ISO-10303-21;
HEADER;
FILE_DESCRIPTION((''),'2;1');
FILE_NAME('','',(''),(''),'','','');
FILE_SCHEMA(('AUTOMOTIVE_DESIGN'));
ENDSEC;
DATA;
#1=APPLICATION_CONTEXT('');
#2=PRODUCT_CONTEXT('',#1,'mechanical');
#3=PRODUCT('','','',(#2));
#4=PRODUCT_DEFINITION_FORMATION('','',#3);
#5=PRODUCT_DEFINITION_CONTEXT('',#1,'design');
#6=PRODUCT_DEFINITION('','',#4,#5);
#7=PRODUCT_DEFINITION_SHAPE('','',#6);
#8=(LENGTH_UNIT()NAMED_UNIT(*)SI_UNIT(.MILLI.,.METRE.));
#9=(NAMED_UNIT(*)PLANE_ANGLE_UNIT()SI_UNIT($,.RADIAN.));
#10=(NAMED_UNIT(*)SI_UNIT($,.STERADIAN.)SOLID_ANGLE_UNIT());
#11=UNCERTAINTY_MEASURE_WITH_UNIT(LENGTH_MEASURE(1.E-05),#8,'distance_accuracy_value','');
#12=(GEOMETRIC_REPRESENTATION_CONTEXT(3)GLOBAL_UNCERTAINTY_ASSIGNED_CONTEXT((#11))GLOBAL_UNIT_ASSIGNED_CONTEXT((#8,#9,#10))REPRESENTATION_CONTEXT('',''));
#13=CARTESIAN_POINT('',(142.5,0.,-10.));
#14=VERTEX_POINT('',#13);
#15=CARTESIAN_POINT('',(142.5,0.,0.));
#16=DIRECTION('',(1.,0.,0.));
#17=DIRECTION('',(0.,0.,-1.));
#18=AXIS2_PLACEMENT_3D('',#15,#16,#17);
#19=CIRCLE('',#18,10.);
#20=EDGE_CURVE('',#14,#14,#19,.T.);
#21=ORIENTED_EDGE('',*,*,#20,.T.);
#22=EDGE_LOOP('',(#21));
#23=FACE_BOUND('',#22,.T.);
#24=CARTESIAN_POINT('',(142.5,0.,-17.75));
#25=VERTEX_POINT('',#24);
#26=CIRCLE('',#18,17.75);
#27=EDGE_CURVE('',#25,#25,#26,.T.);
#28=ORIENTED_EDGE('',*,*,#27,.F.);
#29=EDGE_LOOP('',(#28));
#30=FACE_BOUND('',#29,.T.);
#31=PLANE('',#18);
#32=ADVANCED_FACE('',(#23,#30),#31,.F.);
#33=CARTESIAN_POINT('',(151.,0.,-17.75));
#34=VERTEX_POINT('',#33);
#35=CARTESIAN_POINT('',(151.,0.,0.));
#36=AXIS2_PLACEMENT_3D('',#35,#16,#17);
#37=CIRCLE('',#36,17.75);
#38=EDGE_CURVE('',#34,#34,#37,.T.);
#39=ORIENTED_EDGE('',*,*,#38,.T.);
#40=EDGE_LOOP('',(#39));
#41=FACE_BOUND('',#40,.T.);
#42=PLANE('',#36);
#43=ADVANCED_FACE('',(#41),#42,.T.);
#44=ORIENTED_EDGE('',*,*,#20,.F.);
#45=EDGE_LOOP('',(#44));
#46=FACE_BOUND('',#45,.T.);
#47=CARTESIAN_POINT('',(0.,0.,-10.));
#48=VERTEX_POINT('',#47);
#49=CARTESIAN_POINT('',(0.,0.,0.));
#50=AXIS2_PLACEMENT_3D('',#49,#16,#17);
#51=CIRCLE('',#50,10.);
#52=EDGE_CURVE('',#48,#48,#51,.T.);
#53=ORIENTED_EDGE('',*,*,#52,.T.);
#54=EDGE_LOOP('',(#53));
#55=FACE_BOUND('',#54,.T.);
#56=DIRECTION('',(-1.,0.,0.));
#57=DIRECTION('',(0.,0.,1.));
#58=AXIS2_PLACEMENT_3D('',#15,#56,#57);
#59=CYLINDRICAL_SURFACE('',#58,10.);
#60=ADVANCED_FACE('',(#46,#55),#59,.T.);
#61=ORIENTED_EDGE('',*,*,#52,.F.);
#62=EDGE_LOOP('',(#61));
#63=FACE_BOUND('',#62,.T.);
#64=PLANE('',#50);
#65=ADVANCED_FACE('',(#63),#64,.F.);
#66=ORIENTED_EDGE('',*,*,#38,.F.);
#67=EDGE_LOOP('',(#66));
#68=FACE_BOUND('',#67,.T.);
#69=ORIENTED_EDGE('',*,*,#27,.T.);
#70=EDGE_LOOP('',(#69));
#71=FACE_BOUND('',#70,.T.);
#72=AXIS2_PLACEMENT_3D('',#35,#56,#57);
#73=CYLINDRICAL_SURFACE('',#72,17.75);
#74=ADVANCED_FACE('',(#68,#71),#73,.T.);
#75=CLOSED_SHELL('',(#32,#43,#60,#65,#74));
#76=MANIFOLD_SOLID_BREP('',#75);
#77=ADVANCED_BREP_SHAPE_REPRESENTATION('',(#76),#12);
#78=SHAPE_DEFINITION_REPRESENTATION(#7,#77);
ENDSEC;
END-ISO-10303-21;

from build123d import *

# Parameters (mm, degrees)
SKETCH1_R           = 10
BOSS_EXTRUDE1_DEPTH = 142.5
SKETCH2_R           = 17.75
BOSS_EXTRUDE2_DEPTH = 8.5


with BuildPart() as part:
    # Sketch1 → Boss-Extrude1 (new body)
    with BuildSketch(Plane(origin=(0, 0, 0), x_dir=(0, 0, -1), z_dir=(1, 0, 0))):
        Circle(SKETCH1_R)
    extrude(amount=BOSS_EXTRUDE1_DEPTH)

    # Sketch2 → Boss-Extrude2 (add)
    with BuildSketch(Plane(origin=(142.5, 0, 0), x_dir=(0, 0, -1), z_dir=(1, 0, 0))):
        Circle(SKETCH2_R)
    extrude(amount=BOSS_EXTRUDE2_DEPTH)


solid = part.part
